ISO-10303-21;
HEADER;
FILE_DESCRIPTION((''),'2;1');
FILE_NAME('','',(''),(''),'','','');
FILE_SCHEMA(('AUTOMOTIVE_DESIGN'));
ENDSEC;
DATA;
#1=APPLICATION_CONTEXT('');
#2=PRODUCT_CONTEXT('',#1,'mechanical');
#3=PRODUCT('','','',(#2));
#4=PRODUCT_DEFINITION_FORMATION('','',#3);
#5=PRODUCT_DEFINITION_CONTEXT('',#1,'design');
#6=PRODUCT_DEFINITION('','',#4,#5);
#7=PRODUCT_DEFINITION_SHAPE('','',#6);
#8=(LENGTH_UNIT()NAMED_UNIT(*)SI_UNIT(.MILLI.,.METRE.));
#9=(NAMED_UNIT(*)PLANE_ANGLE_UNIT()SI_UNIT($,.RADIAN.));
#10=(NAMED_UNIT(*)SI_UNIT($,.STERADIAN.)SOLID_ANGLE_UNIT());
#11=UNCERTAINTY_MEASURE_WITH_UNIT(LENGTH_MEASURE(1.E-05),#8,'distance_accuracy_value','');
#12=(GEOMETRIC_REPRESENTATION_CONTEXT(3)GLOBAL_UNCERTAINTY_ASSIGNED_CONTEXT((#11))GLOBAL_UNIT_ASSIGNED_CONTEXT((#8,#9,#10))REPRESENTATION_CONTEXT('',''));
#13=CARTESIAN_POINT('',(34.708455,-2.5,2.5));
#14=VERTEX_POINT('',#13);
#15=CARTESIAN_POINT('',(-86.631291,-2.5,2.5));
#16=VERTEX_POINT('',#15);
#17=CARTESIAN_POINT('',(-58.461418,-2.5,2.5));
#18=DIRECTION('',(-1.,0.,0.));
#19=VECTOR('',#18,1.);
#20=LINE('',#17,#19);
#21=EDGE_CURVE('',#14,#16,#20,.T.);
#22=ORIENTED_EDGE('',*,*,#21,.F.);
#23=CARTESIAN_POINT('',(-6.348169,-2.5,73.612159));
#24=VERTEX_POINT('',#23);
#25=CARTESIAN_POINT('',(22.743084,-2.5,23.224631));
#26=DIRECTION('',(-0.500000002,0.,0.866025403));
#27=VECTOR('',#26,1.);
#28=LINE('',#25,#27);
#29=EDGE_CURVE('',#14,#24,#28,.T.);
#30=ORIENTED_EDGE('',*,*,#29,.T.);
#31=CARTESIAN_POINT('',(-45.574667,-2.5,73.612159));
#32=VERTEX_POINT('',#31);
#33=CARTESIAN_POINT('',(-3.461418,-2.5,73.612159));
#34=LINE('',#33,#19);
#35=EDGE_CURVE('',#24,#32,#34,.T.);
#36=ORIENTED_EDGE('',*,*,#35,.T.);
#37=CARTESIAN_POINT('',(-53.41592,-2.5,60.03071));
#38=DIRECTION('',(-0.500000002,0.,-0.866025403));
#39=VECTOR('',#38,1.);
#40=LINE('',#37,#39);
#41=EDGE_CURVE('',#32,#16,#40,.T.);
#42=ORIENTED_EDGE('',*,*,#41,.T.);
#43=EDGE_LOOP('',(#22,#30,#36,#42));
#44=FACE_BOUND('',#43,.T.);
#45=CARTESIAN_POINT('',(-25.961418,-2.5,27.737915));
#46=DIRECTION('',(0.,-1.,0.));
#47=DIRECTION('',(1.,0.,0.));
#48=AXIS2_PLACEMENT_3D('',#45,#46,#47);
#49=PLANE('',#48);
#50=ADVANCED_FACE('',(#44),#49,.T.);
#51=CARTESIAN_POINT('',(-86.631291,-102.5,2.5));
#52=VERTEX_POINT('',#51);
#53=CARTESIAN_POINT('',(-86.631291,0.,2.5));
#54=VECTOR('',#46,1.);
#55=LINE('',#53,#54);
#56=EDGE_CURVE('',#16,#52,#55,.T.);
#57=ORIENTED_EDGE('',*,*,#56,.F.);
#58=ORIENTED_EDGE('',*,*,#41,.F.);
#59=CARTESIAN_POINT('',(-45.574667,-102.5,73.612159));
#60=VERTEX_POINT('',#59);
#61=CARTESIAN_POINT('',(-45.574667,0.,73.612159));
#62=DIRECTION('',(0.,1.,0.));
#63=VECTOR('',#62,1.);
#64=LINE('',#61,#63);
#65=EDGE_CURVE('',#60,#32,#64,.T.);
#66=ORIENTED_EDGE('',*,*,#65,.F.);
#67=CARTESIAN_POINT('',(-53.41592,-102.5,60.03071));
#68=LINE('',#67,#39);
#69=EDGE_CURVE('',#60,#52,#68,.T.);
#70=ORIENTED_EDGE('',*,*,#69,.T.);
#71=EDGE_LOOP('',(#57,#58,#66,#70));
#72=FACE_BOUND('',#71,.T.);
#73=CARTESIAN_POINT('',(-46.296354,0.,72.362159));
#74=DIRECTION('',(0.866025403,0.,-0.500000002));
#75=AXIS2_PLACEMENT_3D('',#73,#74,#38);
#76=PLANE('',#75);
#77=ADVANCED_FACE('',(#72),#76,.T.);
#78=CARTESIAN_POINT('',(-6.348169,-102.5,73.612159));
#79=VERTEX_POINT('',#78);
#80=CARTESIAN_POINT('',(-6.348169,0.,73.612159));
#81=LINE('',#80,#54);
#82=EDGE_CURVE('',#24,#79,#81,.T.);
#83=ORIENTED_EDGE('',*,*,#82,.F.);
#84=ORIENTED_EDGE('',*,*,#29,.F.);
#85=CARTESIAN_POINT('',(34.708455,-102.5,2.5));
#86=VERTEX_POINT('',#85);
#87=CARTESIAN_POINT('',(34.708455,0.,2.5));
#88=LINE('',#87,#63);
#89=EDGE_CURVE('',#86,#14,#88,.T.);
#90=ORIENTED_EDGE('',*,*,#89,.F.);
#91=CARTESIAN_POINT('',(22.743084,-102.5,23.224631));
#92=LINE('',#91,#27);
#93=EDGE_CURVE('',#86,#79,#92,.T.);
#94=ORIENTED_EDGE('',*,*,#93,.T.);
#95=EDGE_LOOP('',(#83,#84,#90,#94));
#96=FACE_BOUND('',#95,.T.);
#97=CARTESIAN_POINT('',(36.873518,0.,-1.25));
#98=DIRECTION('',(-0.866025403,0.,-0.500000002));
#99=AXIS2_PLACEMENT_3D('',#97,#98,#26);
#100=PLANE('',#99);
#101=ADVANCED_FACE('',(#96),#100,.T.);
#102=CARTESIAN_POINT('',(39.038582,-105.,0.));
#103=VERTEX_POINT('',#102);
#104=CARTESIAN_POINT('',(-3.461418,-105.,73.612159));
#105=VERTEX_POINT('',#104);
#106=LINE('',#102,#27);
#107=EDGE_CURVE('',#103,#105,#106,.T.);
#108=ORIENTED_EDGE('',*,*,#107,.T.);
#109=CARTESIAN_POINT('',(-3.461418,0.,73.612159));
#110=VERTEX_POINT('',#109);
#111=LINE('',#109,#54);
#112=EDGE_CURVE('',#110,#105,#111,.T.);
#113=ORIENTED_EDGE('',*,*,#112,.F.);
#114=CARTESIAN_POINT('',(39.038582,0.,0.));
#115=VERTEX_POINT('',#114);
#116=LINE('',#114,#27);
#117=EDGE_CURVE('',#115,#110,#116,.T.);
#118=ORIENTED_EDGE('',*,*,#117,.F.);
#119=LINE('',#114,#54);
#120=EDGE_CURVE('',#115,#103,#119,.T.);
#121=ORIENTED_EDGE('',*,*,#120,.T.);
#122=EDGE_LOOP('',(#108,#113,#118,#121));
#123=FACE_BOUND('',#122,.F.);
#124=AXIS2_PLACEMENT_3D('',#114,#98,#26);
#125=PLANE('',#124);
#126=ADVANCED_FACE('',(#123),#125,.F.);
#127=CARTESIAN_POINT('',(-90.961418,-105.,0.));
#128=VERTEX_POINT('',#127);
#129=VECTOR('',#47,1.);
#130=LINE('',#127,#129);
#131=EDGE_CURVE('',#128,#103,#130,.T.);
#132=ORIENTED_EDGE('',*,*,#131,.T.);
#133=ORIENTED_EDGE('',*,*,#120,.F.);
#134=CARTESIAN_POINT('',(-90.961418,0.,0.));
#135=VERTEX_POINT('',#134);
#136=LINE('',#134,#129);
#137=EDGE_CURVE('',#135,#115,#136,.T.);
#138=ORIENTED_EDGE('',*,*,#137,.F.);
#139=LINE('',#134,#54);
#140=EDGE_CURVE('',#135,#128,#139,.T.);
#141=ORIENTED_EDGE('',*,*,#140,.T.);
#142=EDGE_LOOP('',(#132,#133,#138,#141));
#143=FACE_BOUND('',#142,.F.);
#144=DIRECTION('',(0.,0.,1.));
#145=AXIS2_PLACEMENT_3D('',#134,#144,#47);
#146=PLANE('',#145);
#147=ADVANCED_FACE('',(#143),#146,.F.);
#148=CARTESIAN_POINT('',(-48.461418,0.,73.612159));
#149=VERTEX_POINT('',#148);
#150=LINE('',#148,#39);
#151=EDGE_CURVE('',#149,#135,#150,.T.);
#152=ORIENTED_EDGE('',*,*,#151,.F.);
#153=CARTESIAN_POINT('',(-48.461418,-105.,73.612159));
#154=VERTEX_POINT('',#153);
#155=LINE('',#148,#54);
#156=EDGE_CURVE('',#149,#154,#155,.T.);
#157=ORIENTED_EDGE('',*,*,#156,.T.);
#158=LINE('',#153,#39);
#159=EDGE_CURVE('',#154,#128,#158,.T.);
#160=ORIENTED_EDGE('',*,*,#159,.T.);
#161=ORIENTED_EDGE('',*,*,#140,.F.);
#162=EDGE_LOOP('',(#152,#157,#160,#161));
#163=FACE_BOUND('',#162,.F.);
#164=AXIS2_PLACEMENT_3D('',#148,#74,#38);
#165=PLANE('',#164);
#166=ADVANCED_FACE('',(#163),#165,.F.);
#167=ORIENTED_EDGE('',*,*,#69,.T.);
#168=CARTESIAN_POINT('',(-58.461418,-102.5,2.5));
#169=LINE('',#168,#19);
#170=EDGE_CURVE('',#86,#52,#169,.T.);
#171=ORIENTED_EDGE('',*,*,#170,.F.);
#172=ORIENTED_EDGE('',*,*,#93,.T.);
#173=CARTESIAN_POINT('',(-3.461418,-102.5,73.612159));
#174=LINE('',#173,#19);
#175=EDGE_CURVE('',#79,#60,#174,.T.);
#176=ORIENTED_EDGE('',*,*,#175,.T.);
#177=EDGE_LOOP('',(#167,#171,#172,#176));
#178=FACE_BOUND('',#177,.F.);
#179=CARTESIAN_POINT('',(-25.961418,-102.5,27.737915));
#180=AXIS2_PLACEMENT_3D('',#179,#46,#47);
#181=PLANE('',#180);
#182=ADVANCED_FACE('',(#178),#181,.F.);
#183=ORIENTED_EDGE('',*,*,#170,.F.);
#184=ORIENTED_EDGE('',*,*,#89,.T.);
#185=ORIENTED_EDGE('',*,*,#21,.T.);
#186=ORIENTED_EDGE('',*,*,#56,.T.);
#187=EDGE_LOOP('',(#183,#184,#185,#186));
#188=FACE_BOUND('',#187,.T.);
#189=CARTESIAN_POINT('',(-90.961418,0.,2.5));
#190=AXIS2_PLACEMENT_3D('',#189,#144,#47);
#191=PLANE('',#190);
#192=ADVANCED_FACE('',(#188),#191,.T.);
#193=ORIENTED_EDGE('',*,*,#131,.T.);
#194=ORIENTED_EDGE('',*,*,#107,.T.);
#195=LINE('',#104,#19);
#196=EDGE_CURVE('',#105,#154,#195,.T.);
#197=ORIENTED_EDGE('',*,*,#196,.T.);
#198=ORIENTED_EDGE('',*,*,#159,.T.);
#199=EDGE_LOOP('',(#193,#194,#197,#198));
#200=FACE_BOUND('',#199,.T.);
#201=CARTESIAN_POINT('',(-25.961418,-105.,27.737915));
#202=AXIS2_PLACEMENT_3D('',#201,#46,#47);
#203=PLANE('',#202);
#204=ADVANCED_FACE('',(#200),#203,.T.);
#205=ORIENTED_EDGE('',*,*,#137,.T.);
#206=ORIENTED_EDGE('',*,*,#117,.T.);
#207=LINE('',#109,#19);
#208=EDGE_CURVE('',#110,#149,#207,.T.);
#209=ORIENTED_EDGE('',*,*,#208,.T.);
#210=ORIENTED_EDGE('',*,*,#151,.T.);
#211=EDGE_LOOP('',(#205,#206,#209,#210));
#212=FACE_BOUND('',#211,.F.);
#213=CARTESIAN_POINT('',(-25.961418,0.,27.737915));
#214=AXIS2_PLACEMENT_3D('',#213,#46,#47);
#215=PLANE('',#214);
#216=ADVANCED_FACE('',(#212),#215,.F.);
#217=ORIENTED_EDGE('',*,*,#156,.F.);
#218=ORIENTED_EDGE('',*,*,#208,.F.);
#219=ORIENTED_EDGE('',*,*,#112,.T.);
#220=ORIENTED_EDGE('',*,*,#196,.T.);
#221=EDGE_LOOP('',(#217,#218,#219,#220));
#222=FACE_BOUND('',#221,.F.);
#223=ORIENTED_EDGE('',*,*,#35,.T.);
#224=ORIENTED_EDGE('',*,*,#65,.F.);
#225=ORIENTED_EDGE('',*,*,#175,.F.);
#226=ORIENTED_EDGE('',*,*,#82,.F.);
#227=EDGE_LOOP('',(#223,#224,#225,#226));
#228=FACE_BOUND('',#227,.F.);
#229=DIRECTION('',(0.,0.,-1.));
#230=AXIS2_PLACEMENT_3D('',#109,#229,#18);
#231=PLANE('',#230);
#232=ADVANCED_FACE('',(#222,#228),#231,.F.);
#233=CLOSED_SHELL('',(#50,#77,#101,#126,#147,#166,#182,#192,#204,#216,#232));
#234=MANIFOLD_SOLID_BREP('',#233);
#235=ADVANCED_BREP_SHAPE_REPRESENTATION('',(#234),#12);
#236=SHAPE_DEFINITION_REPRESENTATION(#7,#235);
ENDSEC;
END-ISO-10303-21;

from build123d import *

# Parameters (mm, degrees)
F1_DEPTH = 105
F2_T     = -2.5


with BuildPart() as f1:
    # F0 (on Front) → F1 (new body)
    with BuildSketch(Plane.XZ):
        Polygon((-48.461418, 73.612159), (-90.961418, 0), (39.038582, 0), (-3.461418, 73.612159), align=None)
    extrude(amount=F1_DEPTH)

    # F2
    f2_openings = [f1.faces().sort_by_distance(p)[0] for p in [
        (-25.961418, -52.5, 73.612159),
    ]]
    offset(amount=F2_T, openings=f2_openings)


solid = f1.part
